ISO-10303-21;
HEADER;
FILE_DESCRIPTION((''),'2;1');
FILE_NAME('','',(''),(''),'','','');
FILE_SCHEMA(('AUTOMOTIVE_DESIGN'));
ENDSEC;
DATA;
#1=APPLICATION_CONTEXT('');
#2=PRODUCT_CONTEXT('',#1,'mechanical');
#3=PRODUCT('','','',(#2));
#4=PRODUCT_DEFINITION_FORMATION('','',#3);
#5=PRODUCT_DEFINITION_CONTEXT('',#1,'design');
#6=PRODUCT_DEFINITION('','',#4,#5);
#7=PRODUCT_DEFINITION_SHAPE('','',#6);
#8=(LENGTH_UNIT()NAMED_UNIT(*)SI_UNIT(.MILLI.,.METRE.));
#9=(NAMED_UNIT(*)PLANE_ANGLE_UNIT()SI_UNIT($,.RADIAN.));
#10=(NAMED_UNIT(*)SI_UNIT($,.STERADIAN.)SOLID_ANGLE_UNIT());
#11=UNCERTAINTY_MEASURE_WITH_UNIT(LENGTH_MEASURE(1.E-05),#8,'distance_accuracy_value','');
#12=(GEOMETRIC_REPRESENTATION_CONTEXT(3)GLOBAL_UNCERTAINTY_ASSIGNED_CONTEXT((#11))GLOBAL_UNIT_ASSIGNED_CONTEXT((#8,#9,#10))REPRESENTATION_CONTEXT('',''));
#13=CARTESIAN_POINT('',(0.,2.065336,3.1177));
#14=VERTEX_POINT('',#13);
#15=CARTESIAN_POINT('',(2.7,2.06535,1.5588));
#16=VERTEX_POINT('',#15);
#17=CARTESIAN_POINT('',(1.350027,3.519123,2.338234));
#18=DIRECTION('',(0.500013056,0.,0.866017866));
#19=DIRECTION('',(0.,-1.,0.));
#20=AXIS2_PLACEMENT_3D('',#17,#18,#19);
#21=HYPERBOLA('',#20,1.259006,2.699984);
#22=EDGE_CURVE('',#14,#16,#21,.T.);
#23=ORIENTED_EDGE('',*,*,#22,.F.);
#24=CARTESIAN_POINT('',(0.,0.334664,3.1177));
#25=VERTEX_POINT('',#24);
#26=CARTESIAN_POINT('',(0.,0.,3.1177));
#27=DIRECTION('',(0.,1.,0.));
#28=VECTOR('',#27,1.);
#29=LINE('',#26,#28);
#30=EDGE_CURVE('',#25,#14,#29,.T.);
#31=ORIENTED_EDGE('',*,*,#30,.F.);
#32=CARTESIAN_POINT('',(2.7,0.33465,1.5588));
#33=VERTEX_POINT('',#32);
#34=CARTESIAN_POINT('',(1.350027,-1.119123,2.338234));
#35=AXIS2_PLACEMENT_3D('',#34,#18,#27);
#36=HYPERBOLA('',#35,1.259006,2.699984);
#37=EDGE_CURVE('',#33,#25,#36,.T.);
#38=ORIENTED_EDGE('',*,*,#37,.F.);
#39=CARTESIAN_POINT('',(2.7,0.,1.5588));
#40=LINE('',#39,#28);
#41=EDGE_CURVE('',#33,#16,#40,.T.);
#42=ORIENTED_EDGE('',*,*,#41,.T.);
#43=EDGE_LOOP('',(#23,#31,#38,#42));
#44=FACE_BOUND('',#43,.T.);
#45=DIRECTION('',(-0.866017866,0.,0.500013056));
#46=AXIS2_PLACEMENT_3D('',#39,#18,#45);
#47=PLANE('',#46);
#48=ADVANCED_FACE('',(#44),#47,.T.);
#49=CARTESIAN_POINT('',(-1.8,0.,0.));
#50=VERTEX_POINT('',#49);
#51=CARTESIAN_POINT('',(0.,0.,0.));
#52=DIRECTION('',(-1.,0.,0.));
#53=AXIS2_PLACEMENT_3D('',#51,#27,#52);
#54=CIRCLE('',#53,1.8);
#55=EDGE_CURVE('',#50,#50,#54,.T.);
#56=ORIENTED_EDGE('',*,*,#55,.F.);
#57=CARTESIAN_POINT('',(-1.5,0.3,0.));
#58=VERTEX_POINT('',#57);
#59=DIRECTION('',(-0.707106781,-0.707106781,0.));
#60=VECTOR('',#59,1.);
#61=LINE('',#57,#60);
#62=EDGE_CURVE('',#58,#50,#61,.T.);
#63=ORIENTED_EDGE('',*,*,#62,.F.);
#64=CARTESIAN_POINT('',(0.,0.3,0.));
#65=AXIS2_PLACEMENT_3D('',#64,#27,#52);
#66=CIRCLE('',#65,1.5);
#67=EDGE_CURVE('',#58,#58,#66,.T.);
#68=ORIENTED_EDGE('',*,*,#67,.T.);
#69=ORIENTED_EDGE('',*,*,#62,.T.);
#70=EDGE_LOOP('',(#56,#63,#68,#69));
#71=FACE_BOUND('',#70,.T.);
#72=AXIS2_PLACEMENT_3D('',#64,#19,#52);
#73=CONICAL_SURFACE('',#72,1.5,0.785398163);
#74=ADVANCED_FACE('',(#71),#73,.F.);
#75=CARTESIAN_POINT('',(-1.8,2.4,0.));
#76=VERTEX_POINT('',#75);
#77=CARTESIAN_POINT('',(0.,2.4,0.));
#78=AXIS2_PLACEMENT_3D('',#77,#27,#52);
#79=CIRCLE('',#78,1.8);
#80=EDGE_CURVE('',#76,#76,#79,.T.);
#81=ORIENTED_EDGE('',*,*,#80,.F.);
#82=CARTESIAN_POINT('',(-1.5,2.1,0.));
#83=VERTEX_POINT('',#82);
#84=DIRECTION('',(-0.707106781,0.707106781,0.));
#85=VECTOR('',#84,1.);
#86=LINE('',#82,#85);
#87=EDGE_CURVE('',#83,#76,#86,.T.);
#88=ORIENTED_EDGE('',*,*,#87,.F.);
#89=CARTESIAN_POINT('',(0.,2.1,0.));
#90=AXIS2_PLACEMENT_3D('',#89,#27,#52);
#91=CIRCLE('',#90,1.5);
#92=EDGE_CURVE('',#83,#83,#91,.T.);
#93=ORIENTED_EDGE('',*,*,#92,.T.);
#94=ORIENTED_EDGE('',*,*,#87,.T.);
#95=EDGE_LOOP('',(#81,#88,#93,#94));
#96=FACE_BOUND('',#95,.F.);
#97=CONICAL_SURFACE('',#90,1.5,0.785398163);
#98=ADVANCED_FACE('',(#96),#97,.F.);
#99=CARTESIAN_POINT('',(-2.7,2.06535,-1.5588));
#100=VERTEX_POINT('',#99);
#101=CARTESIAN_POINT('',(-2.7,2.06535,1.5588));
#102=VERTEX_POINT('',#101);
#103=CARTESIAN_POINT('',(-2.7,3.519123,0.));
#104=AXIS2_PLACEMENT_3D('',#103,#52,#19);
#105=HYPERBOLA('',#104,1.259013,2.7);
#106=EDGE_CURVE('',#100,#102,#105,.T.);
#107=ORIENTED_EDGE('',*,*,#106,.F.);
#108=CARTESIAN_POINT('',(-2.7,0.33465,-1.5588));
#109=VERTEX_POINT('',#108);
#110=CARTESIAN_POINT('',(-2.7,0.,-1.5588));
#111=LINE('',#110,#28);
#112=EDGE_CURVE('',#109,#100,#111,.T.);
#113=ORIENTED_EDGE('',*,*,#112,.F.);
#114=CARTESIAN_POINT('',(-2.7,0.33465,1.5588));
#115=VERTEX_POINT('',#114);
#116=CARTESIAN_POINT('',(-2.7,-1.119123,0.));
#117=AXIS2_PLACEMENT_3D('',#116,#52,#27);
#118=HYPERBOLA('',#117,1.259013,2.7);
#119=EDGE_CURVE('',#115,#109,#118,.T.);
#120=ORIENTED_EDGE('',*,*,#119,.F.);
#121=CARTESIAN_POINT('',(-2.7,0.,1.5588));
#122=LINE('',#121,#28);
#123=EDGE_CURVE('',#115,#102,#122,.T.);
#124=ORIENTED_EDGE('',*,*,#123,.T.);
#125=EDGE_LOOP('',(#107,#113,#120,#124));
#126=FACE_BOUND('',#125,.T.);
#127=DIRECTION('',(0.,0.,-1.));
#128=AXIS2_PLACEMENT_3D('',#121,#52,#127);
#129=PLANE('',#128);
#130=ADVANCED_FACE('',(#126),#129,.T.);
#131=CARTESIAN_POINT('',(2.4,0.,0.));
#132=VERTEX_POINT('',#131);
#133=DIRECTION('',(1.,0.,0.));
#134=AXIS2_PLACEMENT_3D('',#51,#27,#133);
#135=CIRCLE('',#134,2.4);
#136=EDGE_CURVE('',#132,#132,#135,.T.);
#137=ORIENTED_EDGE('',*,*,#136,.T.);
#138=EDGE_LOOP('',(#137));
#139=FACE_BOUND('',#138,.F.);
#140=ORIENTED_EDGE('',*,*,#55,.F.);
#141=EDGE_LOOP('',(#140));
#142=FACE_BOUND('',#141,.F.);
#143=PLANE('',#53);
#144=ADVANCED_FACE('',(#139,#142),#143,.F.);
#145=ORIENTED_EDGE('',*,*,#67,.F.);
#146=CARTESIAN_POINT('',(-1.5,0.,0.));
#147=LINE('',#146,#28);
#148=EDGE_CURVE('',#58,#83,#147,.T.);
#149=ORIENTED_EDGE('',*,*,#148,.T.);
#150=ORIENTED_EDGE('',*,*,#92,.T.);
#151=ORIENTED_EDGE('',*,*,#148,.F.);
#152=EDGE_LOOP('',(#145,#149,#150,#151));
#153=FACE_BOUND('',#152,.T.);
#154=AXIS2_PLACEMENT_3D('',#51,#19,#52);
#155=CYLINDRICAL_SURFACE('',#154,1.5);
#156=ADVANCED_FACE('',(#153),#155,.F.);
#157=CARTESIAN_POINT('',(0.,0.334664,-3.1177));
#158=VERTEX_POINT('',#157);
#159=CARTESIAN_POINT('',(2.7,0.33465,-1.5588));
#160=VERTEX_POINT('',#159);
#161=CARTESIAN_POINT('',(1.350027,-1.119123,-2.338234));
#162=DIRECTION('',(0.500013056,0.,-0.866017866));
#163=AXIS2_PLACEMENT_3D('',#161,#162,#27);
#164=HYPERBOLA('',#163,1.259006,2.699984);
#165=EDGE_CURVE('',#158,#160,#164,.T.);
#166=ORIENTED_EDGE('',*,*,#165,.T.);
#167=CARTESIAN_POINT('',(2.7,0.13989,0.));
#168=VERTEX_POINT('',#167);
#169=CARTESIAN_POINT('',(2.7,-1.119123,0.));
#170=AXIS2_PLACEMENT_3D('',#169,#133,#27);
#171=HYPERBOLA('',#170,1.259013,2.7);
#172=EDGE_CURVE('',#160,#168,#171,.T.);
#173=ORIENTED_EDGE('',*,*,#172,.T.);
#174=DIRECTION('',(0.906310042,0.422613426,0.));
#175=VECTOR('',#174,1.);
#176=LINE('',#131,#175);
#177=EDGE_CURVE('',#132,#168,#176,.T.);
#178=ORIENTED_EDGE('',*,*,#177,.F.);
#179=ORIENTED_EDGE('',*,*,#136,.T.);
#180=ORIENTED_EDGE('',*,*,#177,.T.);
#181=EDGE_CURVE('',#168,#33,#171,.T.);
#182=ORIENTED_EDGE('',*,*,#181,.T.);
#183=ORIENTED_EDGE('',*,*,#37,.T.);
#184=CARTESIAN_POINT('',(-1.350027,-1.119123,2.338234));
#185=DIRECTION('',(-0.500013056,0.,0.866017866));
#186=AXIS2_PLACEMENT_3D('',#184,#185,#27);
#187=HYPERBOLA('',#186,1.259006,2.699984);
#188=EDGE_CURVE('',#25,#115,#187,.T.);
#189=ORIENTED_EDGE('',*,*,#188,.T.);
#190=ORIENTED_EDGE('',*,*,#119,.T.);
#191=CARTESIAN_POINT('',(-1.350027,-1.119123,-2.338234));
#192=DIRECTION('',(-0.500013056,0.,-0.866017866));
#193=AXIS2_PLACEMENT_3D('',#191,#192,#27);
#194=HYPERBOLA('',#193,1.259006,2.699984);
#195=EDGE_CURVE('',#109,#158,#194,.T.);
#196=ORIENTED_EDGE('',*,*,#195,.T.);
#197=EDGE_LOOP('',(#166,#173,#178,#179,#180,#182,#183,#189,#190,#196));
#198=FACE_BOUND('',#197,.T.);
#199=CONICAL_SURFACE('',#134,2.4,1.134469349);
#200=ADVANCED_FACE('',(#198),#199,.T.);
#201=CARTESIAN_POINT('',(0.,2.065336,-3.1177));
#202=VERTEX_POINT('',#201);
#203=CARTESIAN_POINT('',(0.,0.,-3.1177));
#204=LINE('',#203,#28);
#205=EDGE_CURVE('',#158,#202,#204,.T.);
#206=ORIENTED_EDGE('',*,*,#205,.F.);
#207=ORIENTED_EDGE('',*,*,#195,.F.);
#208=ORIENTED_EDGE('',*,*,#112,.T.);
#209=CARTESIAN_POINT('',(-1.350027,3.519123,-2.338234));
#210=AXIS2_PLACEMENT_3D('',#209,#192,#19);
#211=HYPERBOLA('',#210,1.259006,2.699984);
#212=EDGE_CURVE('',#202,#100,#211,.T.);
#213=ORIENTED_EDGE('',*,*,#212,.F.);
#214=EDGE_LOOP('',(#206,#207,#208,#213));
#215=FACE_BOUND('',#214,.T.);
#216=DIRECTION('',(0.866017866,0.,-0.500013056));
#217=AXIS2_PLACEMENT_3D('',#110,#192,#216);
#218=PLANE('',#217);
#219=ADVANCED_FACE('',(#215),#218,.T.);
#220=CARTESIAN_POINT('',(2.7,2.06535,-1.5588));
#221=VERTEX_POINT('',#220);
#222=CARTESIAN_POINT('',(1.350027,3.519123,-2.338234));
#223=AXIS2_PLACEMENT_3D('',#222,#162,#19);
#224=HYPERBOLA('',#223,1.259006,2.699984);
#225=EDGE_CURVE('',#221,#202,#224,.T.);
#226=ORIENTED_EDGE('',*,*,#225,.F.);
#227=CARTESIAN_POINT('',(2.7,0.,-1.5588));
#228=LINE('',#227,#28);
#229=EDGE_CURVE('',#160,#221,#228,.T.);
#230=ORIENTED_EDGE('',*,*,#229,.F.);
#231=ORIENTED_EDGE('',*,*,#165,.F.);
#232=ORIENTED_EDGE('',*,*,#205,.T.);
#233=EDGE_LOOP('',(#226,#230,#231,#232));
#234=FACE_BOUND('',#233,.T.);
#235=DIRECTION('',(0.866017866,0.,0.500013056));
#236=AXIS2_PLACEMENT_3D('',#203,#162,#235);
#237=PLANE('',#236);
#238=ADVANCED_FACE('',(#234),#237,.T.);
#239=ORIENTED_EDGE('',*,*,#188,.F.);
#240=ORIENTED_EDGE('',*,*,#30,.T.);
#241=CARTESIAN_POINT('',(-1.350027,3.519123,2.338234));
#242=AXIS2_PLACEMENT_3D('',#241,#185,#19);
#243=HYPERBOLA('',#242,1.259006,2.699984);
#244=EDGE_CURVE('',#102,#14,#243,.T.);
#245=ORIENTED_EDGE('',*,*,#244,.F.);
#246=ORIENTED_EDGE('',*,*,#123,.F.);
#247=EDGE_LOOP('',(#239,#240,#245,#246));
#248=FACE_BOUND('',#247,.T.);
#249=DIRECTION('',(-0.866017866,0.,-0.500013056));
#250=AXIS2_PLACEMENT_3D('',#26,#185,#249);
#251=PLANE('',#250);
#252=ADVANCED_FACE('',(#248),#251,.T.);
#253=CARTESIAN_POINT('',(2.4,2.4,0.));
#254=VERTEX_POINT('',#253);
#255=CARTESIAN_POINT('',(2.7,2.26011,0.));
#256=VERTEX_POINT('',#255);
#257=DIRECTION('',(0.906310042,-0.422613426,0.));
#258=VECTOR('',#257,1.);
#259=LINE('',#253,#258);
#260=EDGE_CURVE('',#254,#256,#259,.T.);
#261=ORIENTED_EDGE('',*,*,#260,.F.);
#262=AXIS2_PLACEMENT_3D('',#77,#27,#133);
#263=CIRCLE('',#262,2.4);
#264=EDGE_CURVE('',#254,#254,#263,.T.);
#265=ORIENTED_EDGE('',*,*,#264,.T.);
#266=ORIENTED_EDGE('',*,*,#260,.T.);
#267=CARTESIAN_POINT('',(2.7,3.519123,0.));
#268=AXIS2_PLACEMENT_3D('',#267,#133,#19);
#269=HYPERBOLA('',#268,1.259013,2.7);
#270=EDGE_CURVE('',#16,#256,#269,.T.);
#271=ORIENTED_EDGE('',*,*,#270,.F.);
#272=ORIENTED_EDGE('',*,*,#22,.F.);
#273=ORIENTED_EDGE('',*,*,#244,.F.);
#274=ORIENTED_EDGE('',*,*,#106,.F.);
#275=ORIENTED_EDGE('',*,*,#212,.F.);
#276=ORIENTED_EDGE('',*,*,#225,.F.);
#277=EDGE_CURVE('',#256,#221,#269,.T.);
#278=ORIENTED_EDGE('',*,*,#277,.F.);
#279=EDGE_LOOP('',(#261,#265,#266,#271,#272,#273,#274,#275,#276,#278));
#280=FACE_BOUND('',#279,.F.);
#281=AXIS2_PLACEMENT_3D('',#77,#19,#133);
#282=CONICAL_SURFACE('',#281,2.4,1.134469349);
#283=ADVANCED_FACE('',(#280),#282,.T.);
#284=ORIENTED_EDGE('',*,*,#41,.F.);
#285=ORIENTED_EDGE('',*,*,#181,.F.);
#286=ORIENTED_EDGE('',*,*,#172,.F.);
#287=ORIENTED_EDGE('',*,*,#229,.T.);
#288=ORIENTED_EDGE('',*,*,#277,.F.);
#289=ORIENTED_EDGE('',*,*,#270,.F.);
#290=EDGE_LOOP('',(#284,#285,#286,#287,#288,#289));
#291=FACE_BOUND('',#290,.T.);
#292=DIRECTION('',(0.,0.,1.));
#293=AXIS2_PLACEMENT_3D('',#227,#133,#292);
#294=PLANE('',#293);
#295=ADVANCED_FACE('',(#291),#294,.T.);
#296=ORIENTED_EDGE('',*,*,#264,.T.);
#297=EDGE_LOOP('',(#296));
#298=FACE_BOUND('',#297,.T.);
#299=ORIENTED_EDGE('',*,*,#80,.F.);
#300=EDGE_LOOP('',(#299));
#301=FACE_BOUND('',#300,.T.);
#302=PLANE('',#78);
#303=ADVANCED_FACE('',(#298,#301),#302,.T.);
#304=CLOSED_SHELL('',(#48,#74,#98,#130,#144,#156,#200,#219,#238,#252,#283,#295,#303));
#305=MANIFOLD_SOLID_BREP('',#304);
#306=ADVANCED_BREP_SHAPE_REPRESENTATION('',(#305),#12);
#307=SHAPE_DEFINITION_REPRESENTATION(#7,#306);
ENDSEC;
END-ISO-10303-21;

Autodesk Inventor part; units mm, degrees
ref_plane "YZ Plane" through (0, 0, 0) normal (1, 0, 0) x (0, 1, 0)
ref_plane "XZ Plane" through (0, 0, 0) normal (0, 1, 0) x (-1, 0, 0)
ref_plane "XY Plane" through (0, 0, 0) normal (0, 0, 1) x (1, 0, 0)
sketch "Esboço2" plane through (0, 0, 0) normal (0, 1, 0) x (-1, 0, 0)
  circle A0 centre (0, 0) radius 1.5
  line L0 (2.7, -1.5588) -> (0, -3.1177)
  line L1 (0, -3.1177) -> (-2.7, -1.5588)
  line L2 (-2.7, -1.5588) -> (-2.7, 1.5588)
  line L3 (-2.7, 1.5588) -> (0, 3.1177)
  line L4 (0, 3.1177) -> (2.7, 1.5588)
  line L5 (2.7, 1.5588) -> (2.7, -1.5588)
extrude "Extrusão1" add sketch "Esboço2" along normal blind 2.4
thread "Rosca1" size "M3x0.5" class "6H" standard "ANSI Metric M Profile" full length
chamfer "Chanfro1" distance 0.3 angle 45 2 edges at (1.5, 2.4, 0) (1.5, 0, 0)
sketch "Esboço3" plane through (0, 0, 0) normal (0, 0, 1) x (1, 0, 0)
  line L0 (0, -0.6576) -> (0, 3.9457) projected
  line L1 (2.4, 2.4) -> (4.5158, 1.4134)
  line L2 (2.4, 2.4) -> (4.7345, 2.4) construction
  line L3 (2.4, 0) -> (4.5158, 0.9866)
  line L4 (2.4, 2.4) -> (4.5158, 2.4)
  line L5 (2.4, 0) -> (4.5158, 0.9866)
  line L6 (2.4, 2.4) -> (4.5158, 1.4134)
  line L7 (4.5158, 1.4134) -> (4.5158, 2.4)
  line L8 (4.5158, 0.9866) -> (4.5158, 0)
  line L9 (4.5158, 0.9866) -> (2.4, 0)
  line L10 (2.4, 0) -> (4.5158, 0)
  line L11 (2.7, 0) -> (0, 0) projected
  dimension "d16" = 25
revolve "Revolução2" cut sketch "Esboço3" angle 360 about axis through (0, -10, 0) along (0, 1, 0)
properties part number "porca m3" material "Aço galvanizado"
